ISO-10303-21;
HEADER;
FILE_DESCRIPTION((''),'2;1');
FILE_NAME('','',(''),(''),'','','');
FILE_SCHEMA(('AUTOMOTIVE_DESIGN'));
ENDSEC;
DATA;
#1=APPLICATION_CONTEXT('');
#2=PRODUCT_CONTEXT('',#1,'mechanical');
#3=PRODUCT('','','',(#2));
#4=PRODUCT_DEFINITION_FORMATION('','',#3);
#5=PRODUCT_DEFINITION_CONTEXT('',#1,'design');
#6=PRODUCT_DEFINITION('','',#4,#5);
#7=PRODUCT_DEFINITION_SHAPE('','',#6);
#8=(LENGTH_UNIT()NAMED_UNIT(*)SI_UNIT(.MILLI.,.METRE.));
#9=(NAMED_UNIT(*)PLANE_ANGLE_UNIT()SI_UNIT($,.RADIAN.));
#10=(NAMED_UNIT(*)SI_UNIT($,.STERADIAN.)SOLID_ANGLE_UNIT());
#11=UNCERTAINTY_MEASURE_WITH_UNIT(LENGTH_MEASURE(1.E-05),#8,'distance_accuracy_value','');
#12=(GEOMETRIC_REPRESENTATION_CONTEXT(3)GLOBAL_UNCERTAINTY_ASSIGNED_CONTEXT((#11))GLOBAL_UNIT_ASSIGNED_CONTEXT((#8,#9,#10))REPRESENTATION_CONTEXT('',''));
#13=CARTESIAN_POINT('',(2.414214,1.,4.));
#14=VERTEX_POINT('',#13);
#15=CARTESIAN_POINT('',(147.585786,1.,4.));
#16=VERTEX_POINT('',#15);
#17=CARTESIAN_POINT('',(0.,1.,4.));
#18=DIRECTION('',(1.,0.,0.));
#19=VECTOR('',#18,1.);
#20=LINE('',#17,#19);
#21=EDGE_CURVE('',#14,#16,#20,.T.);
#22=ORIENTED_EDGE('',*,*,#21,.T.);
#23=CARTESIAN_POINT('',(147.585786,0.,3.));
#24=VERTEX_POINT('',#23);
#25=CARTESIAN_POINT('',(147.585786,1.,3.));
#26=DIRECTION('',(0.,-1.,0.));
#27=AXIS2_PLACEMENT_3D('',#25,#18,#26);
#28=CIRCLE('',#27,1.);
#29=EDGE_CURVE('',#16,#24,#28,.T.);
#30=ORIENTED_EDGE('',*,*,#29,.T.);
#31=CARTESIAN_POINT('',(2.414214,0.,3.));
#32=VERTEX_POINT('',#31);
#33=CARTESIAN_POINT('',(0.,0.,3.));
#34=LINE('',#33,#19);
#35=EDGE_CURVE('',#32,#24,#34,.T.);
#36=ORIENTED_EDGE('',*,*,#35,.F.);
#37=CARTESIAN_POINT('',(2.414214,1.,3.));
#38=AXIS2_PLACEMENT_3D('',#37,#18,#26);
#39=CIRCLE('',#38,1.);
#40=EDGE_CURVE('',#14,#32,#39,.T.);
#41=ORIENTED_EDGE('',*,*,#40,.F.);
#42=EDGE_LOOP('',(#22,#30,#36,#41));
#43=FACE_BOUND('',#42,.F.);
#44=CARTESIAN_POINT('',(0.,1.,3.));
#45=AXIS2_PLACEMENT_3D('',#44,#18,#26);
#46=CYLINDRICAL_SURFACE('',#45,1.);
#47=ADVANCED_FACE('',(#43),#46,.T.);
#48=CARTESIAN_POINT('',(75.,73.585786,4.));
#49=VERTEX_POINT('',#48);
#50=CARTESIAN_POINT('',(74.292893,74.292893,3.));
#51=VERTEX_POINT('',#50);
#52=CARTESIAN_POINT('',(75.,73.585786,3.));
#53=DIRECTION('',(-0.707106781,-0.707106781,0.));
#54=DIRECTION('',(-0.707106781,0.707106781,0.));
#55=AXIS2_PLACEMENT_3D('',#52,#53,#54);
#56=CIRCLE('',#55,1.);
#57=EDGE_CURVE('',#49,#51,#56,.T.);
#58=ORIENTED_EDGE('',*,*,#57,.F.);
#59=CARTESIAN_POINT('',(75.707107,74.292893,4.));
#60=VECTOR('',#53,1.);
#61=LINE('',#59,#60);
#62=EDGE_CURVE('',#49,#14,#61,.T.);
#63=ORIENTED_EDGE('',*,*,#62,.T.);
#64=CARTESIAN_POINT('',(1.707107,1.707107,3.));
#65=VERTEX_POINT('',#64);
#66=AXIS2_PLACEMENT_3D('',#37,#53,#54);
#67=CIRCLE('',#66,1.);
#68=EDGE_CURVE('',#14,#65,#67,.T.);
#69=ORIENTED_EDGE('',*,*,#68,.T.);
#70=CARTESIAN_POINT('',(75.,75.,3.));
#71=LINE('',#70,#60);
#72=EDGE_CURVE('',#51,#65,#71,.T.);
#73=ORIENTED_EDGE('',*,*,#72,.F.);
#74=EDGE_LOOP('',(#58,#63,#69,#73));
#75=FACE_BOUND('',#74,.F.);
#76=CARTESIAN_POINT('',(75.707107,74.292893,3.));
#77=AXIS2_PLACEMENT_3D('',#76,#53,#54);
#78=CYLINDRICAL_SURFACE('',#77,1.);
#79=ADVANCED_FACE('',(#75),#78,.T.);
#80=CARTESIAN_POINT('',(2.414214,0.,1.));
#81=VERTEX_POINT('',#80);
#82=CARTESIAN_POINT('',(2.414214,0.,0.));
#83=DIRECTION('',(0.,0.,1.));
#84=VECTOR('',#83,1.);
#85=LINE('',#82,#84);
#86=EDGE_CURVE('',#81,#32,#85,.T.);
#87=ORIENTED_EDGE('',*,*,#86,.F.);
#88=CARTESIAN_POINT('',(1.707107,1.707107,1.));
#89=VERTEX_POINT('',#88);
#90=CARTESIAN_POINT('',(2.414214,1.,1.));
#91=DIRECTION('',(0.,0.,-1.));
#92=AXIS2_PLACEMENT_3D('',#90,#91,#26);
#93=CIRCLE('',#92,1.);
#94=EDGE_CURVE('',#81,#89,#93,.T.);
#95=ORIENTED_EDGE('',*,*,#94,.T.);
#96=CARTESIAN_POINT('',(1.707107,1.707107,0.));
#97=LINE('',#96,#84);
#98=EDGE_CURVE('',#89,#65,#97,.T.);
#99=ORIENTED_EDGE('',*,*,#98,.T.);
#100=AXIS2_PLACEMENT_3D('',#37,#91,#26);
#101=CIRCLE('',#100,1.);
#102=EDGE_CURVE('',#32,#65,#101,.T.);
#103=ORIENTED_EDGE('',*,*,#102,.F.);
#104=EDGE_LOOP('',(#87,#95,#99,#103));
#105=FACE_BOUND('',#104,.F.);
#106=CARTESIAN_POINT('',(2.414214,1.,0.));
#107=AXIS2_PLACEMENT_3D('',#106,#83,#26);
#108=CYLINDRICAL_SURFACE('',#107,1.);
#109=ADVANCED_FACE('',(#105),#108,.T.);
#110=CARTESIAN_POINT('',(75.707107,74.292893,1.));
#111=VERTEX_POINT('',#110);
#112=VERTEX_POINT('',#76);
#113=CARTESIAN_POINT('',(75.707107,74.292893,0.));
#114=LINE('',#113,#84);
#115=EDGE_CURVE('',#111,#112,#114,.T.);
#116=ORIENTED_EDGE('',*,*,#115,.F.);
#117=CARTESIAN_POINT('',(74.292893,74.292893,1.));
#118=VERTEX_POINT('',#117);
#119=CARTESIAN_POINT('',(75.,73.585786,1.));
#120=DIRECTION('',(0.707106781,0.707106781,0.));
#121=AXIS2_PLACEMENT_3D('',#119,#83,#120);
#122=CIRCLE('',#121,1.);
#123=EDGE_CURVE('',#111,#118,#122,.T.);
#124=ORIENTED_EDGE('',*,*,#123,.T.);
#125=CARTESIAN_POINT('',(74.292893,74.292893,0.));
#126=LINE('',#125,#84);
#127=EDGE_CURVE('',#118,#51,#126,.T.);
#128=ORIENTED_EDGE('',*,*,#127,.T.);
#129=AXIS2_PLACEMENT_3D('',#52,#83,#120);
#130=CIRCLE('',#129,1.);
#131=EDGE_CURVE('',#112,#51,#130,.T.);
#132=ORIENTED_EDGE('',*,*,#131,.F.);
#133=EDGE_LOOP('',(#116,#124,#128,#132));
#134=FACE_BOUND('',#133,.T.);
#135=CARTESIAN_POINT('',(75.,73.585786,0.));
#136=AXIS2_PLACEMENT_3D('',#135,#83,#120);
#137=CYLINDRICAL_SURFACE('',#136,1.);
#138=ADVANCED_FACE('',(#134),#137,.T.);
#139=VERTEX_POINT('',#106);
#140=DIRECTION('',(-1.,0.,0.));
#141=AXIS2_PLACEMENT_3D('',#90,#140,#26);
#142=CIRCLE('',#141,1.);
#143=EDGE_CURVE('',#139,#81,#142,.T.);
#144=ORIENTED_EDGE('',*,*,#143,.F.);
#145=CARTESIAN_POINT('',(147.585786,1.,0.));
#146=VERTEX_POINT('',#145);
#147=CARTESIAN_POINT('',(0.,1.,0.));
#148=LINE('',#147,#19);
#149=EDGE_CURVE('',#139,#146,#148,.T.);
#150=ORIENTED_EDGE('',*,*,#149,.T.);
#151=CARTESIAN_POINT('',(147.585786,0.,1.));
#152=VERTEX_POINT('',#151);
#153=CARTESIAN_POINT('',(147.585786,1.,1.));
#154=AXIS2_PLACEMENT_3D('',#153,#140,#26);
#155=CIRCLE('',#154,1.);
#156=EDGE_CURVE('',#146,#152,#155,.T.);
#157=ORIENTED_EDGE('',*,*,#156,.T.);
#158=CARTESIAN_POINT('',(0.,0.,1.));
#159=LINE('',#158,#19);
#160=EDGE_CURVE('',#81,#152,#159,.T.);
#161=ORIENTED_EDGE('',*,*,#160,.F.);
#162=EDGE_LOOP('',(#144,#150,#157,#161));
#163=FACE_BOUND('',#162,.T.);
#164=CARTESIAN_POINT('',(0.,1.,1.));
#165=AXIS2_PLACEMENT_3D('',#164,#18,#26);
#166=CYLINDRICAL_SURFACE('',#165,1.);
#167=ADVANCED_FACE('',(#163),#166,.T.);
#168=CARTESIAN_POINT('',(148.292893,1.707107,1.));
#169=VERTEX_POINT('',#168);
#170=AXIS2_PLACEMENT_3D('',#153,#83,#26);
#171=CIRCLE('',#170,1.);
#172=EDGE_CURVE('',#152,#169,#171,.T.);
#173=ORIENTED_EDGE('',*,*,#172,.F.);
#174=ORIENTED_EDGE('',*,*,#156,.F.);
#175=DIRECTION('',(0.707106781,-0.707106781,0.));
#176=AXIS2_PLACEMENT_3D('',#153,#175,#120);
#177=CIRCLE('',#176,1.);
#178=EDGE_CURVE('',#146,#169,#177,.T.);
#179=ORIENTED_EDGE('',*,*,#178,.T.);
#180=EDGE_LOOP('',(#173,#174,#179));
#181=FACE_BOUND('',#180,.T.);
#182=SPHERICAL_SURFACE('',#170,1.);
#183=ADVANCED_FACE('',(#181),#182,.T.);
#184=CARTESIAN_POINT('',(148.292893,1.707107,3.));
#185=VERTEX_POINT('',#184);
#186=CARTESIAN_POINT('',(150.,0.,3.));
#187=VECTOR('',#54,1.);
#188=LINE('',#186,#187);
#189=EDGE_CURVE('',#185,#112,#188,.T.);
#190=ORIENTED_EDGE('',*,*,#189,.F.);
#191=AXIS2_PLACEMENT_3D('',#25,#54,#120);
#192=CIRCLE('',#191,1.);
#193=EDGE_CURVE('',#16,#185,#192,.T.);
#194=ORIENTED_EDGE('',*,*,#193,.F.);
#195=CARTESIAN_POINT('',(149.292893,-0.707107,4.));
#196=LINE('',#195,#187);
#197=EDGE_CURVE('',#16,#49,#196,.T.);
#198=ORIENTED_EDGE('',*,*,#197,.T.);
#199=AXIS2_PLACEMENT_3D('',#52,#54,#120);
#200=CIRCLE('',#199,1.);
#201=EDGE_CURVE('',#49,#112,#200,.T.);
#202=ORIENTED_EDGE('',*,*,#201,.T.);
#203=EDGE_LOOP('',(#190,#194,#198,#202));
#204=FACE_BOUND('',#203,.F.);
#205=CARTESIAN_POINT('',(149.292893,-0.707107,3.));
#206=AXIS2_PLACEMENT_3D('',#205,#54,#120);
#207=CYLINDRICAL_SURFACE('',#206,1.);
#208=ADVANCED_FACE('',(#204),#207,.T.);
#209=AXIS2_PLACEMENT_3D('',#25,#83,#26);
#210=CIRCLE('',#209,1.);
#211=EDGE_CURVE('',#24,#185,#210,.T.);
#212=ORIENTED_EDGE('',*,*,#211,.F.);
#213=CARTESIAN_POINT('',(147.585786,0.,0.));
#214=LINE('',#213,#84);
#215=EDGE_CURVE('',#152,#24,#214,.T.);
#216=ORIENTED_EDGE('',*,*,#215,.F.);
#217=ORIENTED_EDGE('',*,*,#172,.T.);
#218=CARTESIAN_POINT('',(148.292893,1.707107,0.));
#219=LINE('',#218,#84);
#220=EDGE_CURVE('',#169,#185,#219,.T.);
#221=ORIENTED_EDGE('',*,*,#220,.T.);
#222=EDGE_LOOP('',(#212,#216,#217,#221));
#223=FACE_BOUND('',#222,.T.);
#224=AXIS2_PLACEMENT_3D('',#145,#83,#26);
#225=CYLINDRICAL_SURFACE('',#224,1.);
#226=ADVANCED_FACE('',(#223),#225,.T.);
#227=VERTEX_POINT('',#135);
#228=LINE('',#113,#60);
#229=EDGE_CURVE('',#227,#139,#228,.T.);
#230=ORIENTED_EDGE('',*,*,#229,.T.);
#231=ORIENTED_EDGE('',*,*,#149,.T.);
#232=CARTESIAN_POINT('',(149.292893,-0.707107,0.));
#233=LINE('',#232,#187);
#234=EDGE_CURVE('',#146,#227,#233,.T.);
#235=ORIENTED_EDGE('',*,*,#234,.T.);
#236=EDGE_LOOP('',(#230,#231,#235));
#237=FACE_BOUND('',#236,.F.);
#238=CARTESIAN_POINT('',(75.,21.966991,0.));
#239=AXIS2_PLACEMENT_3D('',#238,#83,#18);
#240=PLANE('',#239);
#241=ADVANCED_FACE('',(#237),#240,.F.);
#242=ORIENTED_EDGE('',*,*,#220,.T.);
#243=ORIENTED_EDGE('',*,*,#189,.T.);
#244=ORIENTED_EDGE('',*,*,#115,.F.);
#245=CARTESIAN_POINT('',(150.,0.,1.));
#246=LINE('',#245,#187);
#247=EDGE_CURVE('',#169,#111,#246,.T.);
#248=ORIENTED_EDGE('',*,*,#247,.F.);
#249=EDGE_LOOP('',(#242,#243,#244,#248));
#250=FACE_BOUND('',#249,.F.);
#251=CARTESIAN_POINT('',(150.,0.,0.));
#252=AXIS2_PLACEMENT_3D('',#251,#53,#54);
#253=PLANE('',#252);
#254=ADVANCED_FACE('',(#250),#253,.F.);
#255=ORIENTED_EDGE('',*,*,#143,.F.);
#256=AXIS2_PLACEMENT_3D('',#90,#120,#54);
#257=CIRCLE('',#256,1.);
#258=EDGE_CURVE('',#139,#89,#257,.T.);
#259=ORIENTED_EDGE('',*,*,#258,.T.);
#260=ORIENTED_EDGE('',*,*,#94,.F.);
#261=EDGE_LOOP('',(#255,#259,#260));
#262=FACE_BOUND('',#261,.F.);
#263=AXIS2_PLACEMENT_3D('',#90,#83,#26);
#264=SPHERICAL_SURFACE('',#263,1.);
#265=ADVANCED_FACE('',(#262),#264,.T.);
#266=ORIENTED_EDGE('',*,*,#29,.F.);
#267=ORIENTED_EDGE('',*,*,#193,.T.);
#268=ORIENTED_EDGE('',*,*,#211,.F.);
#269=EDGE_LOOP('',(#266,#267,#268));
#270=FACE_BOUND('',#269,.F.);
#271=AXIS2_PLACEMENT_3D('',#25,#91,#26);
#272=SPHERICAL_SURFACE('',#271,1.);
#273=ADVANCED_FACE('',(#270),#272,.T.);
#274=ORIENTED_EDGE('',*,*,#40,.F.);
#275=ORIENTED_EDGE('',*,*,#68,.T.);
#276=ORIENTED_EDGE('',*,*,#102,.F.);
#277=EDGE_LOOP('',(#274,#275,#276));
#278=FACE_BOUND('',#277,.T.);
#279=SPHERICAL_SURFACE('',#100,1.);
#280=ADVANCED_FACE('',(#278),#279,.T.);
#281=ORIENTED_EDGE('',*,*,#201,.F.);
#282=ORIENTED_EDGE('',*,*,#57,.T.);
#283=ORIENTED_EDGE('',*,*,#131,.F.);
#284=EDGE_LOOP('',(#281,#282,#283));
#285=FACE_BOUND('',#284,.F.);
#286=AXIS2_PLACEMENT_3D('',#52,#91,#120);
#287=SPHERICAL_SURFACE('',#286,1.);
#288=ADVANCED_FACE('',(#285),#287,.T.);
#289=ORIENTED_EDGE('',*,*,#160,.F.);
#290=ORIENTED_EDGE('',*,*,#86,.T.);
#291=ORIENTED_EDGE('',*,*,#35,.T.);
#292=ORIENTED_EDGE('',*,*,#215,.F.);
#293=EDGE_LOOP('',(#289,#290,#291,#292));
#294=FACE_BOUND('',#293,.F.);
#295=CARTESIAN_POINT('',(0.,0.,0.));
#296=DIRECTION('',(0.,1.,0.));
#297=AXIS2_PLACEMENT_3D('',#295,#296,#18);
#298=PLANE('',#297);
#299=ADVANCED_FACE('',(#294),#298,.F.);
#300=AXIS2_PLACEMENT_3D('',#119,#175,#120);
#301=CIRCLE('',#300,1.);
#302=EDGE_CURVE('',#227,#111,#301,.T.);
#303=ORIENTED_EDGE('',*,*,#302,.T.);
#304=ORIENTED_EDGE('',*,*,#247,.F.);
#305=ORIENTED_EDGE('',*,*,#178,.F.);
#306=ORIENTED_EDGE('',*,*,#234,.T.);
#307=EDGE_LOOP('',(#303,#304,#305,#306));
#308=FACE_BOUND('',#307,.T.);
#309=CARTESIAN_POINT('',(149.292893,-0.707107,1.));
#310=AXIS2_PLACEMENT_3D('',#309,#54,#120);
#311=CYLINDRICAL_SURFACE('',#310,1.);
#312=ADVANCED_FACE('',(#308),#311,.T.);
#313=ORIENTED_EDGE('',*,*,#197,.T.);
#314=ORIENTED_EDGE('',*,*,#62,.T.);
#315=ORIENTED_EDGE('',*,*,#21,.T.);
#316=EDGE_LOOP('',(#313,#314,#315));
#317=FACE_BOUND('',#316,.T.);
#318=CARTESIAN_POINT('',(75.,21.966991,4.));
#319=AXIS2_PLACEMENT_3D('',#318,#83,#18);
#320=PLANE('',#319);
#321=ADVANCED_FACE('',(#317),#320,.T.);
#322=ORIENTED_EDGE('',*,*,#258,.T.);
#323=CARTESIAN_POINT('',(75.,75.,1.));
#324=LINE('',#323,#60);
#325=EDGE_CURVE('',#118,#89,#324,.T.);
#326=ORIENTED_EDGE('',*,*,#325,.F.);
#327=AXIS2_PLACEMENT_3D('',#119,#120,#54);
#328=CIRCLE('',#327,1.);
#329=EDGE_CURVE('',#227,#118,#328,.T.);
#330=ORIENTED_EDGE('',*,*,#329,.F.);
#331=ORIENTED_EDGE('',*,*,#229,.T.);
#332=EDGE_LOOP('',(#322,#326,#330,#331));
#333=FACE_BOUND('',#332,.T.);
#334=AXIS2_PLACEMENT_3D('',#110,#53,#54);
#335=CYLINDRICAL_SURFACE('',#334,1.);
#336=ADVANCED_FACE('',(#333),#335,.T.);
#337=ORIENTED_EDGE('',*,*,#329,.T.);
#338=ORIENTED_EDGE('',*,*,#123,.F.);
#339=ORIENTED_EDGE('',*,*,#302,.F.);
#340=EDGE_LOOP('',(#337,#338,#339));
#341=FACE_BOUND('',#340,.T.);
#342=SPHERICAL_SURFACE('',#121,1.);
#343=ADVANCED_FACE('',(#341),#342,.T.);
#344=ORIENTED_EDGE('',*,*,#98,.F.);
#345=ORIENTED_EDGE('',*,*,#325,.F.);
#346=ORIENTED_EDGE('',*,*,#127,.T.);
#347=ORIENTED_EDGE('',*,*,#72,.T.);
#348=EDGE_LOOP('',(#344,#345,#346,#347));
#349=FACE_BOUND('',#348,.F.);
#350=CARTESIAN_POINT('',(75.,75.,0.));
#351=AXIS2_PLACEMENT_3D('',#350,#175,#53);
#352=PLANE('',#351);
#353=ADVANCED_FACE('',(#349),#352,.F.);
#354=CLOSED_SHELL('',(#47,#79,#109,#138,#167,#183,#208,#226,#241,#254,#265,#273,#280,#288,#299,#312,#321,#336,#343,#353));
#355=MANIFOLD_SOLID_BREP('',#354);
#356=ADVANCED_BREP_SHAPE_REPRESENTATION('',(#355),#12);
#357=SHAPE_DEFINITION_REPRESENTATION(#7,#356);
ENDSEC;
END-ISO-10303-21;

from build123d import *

# Parameters (mm, degrees)
PAD_DEPTH = 4
FILLET_R  = 1


with BuildPart() as part:
    # Sketch → Pad (new body)
    with BuildSketch(Plane.XY):
        Polygon((0, 0), (150, 0), (75, 75), align=None)
    extrude(amount=PAD_DEPTH)

    # Fillet
    fillet_edges = [part.edges().sort_by_distance(p)[0] for p in [
        (0, 0, 2),
        (150, 0, 2),
        (75, 0, 0),
        (75, 0, 4),
        (75, 75, 2),
        (112.5, 37.5, 0),
        (112.5, 37.5, 4),
        (37.5, 37.5, 0),
        (37.5, 37.5, 4),
    ]]
    fillet(fillet_edges, radius=FILLET_R)


solid = part.part
